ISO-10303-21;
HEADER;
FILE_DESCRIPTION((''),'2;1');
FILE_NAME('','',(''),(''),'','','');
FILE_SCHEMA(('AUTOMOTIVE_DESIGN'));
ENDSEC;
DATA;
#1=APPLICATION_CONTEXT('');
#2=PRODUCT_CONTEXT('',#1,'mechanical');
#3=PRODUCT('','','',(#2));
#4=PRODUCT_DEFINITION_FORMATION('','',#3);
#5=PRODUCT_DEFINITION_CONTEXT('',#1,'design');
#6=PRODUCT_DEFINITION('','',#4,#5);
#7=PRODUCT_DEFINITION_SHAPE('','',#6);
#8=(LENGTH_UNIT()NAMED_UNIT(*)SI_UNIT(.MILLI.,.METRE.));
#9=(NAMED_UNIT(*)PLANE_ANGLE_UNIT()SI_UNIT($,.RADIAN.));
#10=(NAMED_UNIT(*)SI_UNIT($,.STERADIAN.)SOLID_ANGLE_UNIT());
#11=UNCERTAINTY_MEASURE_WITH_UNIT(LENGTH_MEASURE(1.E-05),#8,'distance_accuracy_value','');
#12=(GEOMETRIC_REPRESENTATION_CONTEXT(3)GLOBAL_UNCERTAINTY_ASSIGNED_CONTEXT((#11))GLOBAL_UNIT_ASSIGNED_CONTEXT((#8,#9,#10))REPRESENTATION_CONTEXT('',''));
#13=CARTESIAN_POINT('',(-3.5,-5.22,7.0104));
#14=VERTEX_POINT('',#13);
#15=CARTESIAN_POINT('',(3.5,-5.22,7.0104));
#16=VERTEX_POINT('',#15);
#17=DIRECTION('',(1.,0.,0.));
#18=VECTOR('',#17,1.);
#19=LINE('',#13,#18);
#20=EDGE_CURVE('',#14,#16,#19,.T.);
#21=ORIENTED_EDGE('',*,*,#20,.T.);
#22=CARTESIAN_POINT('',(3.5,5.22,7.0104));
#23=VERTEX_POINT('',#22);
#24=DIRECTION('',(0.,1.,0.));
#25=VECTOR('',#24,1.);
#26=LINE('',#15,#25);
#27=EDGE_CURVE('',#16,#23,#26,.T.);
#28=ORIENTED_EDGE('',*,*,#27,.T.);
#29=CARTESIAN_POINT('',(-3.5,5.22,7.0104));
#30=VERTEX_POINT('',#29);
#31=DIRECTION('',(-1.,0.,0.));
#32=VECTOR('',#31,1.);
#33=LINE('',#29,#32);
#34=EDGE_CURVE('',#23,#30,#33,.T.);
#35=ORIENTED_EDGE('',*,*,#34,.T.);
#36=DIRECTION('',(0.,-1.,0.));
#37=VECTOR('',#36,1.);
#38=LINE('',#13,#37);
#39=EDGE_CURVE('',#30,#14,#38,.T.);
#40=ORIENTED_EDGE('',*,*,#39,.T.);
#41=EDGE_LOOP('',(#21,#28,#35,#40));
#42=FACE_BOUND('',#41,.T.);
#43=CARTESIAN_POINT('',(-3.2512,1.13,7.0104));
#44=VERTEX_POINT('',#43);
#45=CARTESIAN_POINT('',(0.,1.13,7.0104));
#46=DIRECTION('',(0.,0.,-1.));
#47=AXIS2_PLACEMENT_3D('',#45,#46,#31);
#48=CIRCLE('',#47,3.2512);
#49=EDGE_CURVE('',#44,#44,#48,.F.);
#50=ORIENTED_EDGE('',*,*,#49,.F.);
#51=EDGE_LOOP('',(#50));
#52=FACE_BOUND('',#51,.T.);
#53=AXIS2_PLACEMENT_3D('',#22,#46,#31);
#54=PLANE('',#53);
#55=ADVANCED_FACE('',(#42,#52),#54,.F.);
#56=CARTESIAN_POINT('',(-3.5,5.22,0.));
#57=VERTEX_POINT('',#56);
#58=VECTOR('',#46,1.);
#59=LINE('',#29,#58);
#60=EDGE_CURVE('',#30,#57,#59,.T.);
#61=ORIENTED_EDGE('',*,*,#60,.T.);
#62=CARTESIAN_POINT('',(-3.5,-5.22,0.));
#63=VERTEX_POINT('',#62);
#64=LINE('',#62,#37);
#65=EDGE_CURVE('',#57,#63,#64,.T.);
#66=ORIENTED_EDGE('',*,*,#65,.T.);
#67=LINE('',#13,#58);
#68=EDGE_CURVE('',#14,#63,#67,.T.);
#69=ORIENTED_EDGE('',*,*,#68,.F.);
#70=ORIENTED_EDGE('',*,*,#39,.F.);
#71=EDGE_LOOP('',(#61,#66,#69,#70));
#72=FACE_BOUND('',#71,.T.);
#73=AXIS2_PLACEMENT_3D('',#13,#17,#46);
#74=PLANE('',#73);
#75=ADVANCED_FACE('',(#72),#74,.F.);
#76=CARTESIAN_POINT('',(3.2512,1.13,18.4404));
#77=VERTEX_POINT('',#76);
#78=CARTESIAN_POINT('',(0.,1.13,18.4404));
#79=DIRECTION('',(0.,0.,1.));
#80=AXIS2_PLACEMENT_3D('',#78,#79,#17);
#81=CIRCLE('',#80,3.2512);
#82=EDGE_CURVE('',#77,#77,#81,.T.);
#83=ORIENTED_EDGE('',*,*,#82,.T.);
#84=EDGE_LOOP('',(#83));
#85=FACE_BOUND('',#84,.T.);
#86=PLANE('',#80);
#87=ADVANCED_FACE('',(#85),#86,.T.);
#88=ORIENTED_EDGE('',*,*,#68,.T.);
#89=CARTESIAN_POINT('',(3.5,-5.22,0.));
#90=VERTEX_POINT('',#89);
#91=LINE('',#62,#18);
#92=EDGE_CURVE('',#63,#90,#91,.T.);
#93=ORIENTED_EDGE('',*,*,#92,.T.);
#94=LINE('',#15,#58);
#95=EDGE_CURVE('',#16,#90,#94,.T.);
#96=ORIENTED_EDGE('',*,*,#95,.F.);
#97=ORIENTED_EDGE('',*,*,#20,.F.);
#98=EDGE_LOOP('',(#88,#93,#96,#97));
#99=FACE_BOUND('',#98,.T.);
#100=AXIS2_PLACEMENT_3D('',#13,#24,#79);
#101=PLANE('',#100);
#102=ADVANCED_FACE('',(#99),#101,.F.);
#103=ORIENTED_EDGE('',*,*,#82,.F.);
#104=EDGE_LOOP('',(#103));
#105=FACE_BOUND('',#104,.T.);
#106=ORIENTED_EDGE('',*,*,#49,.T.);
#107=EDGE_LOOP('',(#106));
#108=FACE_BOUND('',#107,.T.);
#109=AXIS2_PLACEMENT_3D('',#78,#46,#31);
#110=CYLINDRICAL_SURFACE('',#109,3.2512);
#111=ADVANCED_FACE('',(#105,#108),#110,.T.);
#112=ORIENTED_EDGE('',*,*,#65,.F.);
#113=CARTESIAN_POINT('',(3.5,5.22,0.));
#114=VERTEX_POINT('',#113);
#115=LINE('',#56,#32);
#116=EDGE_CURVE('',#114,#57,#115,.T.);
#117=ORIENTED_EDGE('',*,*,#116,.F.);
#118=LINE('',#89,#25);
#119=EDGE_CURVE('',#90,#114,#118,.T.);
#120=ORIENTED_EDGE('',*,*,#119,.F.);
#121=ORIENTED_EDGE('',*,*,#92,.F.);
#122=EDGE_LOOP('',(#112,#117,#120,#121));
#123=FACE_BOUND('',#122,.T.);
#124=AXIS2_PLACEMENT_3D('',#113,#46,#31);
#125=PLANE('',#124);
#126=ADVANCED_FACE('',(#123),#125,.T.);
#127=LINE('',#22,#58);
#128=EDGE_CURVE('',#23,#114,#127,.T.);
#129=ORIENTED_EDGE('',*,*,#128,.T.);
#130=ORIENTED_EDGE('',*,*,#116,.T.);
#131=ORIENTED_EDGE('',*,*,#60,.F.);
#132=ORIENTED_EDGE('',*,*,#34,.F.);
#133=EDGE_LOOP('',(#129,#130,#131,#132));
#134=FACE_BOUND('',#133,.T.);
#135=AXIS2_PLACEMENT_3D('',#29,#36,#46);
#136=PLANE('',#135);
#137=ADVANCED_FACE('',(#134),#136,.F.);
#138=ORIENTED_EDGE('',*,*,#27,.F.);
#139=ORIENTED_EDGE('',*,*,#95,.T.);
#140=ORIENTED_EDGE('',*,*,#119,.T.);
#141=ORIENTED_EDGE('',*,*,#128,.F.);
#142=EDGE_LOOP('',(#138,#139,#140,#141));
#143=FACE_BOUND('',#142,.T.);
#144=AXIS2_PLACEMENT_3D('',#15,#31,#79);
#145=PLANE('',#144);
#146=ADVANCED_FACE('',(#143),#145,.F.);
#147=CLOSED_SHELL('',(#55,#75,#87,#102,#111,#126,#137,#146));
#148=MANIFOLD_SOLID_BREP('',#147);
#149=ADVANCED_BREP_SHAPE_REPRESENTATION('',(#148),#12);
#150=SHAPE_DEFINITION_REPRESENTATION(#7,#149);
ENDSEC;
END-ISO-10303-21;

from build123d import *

# Parameters (mm, degrees)
SKETCH1_W      = 7
SKETCH1_H      = 10.44
EXTRUDE1_DEPTH = 7.0104
SKETCH2_R      = 3.2512
EXTRUDE2_DEPTH = 11.43


with BuildPart() as part:
    # Sketch1 → Extrude1 (new body)
    with BuildSketch(Plane.XY):
        Rectangle(SKETCH1_W, SKETCH1_H)
    extrude(amount=EXTRUDE1_DEPTH)

    # Sketch2 → Extrude2 (add)
    with BuildSketch(Plane.XY.offset(7.0104)):
        with Locations(Location((0, 1.13, 0), (0, 0, 180))):
            Circle(SKETCH2_R)
    extrude(amount=EXTRUDE2_DEPTH)


solid = part.part
